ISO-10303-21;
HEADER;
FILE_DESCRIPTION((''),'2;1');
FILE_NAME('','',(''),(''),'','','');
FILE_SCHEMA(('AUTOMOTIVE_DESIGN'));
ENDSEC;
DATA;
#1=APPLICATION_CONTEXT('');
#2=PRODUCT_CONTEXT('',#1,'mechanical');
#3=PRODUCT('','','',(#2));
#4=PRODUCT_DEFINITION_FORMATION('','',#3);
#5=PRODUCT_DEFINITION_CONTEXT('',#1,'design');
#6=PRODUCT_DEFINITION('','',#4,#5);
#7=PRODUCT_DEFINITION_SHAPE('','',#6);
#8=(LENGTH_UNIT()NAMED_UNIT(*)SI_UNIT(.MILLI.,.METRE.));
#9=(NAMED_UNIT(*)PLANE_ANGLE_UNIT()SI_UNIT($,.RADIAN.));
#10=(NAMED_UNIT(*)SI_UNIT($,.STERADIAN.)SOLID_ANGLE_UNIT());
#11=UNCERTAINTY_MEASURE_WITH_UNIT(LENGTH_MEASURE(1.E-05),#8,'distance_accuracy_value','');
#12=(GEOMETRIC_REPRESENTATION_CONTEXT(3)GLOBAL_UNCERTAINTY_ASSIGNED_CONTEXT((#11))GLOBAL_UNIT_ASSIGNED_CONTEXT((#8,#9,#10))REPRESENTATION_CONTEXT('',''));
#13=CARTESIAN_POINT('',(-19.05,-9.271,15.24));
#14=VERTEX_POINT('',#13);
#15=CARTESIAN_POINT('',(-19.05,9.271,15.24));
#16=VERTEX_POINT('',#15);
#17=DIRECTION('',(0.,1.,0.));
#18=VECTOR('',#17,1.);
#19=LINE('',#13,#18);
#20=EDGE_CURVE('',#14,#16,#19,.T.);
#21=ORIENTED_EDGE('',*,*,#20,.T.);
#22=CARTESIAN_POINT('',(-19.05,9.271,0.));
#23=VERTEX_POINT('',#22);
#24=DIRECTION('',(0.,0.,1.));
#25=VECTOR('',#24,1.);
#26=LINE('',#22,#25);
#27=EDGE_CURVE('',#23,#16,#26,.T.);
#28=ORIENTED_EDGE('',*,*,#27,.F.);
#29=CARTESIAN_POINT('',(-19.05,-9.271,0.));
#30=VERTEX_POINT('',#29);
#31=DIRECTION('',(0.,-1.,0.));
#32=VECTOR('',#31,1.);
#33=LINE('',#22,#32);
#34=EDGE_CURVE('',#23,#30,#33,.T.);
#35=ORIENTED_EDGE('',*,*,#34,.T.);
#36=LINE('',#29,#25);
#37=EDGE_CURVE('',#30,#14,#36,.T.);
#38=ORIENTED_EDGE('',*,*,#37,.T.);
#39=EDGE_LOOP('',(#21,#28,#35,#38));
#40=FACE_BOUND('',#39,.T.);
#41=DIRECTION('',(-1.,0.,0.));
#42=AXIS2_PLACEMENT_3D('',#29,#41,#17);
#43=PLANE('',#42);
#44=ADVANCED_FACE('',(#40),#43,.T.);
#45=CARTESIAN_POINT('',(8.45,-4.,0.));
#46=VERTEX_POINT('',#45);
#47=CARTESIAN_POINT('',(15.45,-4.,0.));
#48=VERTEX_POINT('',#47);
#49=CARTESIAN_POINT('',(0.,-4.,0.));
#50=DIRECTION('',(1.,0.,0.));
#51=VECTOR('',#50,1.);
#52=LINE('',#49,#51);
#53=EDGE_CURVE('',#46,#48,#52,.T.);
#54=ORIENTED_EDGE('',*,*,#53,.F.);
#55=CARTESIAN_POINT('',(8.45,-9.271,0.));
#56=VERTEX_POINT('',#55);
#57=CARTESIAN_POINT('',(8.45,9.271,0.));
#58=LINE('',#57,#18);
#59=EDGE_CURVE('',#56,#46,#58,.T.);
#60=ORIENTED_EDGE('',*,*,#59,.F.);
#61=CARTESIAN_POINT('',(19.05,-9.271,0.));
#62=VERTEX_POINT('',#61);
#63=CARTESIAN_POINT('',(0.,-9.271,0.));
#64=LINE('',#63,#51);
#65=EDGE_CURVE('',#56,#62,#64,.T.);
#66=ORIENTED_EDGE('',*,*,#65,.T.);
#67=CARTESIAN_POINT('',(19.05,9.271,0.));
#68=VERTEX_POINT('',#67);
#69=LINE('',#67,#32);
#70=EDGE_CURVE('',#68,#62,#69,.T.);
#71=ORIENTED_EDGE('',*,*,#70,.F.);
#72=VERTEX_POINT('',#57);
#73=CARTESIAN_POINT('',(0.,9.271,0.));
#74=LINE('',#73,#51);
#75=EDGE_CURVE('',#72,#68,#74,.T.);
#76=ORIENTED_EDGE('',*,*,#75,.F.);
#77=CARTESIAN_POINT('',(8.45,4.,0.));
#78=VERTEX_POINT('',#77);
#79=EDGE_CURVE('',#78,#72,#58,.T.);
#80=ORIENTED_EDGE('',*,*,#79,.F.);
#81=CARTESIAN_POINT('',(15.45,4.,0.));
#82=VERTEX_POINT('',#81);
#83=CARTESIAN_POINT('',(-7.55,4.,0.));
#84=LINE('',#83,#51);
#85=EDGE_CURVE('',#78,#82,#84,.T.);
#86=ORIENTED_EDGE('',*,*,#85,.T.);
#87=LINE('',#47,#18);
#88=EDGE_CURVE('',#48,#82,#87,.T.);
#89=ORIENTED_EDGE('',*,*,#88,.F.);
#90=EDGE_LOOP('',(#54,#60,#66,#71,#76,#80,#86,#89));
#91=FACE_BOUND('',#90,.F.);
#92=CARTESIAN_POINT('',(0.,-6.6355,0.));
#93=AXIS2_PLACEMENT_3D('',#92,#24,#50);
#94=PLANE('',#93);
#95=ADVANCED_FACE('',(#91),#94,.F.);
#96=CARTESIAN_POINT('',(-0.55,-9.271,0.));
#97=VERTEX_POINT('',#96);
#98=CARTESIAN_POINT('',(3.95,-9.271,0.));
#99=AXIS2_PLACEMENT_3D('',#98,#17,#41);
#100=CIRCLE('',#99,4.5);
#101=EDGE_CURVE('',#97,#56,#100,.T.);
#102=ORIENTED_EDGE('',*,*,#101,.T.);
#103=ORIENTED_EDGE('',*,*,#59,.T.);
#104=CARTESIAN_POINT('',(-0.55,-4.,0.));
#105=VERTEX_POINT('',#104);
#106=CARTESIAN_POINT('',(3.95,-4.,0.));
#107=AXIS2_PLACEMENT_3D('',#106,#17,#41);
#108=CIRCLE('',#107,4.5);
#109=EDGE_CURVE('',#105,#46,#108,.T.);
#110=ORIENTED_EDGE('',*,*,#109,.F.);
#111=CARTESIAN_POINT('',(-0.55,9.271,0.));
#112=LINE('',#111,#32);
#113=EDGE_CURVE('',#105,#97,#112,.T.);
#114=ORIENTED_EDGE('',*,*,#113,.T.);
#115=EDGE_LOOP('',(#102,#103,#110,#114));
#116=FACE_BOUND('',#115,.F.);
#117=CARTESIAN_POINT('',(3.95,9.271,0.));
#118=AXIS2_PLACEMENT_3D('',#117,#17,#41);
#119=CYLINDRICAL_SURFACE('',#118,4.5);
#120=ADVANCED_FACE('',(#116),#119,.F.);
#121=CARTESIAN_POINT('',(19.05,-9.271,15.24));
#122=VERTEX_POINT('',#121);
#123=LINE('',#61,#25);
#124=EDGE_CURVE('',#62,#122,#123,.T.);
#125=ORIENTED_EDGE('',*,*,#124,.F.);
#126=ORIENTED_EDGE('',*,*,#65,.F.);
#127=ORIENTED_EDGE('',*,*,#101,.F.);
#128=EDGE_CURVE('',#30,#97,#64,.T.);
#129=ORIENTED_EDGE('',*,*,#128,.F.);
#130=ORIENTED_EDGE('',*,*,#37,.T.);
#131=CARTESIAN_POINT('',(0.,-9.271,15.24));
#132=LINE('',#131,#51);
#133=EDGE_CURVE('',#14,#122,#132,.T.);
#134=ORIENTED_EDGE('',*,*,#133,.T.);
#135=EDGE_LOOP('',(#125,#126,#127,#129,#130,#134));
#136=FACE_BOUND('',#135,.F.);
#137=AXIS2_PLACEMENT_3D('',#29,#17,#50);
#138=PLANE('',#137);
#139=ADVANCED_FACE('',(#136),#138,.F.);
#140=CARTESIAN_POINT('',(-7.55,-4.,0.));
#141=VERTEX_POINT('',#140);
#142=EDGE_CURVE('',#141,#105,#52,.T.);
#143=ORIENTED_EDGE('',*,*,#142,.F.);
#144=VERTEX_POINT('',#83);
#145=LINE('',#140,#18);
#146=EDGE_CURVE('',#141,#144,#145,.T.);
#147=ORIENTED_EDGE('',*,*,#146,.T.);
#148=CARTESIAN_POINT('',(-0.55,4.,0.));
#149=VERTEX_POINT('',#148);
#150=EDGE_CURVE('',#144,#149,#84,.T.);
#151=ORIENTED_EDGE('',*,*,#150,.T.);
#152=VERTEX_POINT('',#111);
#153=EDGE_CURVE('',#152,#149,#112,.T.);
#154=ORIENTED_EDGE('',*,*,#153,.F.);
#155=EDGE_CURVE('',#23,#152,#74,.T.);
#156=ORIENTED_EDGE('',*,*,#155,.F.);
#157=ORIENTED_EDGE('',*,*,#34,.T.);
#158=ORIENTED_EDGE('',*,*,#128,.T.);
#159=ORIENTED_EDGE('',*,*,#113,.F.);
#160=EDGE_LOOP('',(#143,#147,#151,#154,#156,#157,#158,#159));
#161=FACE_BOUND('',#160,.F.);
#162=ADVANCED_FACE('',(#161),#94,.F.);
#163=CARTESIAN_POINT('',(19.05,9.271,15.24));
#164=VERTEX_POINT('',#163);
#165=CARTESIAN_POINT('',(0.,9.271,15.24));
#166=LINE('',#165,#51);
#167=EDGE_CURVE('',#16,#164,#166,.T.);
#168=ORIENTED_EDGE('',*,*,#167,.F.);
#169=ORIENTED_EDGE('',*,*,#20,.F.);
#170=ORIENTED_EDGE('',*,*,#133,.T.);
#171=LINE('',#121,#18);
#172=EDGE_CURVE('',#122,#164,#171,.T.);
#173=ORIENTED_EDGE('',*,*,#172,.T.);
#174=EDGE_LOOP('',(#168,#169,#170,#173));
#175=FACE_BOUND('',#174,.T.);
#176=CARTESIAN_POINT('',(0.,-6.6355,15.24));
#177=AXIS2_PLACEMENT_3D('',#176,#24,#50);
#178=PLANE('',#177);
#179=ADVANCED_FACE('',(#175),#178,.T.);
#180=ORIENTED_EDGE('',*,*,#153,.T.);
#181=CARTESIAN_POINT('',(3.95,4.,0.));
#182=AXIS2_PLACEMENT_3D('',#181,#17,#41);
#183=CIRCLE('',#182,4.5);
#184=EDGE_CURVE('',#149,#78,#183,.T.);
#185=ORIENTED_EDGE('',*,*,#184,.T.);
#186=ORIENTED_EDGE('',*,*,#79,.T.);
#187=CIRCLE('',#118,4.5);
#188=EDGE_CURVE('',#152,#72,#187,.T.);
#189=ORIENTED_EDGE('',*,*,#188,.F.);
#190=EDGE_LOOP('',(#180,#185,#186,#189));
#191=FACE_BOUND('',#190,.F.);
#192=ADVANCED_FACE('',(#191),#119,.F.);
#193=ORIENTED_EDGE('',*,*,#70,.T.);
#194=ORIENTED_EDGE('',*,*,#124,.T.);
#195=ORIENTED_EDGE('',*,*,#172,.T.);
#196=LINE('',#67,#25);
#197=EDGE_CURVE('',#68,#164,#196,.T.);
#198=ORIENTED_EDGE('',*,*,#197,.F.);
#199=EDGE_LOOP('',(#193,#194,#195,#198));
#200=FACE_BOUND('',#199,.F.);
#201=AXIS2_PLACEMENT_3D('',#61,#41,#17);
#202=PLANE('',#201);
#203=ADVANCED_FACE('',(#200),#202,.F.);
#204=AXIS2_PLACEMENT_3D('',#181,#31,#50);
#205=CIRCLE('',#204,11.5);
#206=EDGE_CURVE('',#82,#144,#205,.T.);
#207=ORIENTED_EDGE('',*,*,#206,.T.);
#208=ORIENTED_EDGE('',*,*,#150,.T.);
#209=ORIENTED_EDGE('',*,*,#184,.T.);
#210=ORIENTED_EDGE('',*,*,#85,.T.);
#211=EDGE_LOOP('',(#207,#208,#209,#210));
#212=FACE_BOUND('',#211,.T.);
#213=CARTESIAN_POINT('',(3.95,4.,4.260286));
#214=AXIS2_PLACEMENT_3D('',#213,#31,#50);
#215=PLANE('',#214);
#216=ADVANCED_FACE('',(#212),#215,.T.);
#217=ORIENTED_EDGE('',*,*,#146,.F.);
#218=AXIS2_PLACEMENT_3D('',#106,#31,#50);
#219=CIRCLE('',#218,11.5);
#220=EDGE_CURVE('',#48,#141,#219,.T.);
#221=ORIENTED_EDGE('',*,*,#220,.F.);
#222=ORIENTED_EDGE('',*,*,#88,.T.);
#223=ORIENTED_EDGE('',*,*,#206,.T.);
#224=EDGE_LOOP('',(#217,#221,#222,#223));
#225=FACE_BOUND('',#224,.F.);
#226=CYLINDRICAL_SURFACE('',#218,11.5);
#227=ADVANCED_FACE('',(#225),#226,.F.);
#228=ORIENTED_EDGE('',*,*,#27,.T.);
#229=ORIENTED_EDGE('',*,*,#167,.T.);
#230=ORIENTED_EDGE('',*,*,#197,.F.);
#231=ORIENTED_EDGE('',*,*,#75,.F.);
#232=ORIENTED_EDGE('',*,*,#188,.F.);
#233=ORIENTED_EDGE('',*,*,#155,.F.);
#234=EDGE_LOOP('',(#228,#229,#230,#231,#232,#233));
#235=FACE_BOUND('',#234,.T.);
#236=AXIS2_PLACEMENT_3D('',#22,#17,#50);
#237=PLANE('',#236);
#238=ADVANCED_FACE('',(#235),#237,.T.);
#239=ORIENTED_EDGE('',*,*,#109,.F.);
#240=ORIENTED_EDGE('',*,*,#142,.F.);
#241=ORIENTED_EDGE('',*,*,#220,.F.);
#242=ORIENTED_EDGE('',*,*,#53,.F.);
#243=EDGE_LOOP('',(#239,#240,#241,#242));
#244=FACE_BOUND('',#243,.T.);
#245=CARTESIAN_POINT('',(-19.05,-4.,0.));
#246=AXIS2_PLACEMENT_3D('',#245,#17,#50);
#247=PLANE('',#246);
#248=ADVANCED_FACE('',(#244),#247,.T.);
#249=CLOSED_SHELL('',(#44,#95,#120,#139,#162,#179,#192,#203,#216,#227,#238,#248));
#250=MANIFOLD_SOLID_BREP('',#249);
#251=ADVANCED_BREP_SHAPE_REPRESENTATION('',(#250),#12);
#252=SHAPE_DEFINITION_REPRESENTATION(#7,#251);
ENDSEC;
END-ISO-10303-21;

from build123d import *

# Parameters (mm, degrees)
F0_W     = 38.1
F0_H     = 13.271
F1_DEPTH = 15.24
F3_DEPTH = 8
F0_H_2   = 5.271
F4_DEPTH = 15.24
F5_R     = 4.5
F6_DEPTH = 50.8


with BuildPart() as f1:
    # F0 (on Top) → F1 (new body)
    with BuildSketch(Plane.XY):
        with Locations((0, 2.6355)):
            Rectangle(F0_W, F0_H)
    extrude(amount=F1_DEPTH)

    # F2 (on face) → F3 (cut)
    with BuildSketch(Plane.XZ.offset(4)):
        with BuildLine():
            Line((8.45, 0), (15.45, 0))
            ThreePointArc((15.45, 0), (3.95, 11.5), (-7.55, 0))
            Line((-7.55, 0), (-0.55, 0))
            ThreePointArc((-0.55, 0), (3.95, 4.5), (8.45, 0))
        make_face()
        with BuildLine():
            Line((-0.55, 0), (8.45, 0))
            ThreePointArc((8.45, 0), (3.95, 4.5), (-0.55, 0))
        make_face()
    extrude(amount=-F3_DEPTH, mode=Mode.SUBTRACT)

    # F0 (on Top) → F4 (join)
    with BuildSketch(Plane.XY):
        with Locations((0, -6.6355)):
            Rectangle(F0_W, F0_H_2)
    extrude(amount=F4_DEPTH)

    # F5 (on face) → F6 (cut)
    with BuildSketch(Plane(origin=(0, 9.271, 0), x_dir=(-1, 0, 0), z_dir=(0, 1, 0))):
        with Locations((-3.95, 0)):
            Circle(F5_R)
    extrude(amount=-F6_DEPTH, mode=Mode.SUBTRACT)


solid = f1.part
